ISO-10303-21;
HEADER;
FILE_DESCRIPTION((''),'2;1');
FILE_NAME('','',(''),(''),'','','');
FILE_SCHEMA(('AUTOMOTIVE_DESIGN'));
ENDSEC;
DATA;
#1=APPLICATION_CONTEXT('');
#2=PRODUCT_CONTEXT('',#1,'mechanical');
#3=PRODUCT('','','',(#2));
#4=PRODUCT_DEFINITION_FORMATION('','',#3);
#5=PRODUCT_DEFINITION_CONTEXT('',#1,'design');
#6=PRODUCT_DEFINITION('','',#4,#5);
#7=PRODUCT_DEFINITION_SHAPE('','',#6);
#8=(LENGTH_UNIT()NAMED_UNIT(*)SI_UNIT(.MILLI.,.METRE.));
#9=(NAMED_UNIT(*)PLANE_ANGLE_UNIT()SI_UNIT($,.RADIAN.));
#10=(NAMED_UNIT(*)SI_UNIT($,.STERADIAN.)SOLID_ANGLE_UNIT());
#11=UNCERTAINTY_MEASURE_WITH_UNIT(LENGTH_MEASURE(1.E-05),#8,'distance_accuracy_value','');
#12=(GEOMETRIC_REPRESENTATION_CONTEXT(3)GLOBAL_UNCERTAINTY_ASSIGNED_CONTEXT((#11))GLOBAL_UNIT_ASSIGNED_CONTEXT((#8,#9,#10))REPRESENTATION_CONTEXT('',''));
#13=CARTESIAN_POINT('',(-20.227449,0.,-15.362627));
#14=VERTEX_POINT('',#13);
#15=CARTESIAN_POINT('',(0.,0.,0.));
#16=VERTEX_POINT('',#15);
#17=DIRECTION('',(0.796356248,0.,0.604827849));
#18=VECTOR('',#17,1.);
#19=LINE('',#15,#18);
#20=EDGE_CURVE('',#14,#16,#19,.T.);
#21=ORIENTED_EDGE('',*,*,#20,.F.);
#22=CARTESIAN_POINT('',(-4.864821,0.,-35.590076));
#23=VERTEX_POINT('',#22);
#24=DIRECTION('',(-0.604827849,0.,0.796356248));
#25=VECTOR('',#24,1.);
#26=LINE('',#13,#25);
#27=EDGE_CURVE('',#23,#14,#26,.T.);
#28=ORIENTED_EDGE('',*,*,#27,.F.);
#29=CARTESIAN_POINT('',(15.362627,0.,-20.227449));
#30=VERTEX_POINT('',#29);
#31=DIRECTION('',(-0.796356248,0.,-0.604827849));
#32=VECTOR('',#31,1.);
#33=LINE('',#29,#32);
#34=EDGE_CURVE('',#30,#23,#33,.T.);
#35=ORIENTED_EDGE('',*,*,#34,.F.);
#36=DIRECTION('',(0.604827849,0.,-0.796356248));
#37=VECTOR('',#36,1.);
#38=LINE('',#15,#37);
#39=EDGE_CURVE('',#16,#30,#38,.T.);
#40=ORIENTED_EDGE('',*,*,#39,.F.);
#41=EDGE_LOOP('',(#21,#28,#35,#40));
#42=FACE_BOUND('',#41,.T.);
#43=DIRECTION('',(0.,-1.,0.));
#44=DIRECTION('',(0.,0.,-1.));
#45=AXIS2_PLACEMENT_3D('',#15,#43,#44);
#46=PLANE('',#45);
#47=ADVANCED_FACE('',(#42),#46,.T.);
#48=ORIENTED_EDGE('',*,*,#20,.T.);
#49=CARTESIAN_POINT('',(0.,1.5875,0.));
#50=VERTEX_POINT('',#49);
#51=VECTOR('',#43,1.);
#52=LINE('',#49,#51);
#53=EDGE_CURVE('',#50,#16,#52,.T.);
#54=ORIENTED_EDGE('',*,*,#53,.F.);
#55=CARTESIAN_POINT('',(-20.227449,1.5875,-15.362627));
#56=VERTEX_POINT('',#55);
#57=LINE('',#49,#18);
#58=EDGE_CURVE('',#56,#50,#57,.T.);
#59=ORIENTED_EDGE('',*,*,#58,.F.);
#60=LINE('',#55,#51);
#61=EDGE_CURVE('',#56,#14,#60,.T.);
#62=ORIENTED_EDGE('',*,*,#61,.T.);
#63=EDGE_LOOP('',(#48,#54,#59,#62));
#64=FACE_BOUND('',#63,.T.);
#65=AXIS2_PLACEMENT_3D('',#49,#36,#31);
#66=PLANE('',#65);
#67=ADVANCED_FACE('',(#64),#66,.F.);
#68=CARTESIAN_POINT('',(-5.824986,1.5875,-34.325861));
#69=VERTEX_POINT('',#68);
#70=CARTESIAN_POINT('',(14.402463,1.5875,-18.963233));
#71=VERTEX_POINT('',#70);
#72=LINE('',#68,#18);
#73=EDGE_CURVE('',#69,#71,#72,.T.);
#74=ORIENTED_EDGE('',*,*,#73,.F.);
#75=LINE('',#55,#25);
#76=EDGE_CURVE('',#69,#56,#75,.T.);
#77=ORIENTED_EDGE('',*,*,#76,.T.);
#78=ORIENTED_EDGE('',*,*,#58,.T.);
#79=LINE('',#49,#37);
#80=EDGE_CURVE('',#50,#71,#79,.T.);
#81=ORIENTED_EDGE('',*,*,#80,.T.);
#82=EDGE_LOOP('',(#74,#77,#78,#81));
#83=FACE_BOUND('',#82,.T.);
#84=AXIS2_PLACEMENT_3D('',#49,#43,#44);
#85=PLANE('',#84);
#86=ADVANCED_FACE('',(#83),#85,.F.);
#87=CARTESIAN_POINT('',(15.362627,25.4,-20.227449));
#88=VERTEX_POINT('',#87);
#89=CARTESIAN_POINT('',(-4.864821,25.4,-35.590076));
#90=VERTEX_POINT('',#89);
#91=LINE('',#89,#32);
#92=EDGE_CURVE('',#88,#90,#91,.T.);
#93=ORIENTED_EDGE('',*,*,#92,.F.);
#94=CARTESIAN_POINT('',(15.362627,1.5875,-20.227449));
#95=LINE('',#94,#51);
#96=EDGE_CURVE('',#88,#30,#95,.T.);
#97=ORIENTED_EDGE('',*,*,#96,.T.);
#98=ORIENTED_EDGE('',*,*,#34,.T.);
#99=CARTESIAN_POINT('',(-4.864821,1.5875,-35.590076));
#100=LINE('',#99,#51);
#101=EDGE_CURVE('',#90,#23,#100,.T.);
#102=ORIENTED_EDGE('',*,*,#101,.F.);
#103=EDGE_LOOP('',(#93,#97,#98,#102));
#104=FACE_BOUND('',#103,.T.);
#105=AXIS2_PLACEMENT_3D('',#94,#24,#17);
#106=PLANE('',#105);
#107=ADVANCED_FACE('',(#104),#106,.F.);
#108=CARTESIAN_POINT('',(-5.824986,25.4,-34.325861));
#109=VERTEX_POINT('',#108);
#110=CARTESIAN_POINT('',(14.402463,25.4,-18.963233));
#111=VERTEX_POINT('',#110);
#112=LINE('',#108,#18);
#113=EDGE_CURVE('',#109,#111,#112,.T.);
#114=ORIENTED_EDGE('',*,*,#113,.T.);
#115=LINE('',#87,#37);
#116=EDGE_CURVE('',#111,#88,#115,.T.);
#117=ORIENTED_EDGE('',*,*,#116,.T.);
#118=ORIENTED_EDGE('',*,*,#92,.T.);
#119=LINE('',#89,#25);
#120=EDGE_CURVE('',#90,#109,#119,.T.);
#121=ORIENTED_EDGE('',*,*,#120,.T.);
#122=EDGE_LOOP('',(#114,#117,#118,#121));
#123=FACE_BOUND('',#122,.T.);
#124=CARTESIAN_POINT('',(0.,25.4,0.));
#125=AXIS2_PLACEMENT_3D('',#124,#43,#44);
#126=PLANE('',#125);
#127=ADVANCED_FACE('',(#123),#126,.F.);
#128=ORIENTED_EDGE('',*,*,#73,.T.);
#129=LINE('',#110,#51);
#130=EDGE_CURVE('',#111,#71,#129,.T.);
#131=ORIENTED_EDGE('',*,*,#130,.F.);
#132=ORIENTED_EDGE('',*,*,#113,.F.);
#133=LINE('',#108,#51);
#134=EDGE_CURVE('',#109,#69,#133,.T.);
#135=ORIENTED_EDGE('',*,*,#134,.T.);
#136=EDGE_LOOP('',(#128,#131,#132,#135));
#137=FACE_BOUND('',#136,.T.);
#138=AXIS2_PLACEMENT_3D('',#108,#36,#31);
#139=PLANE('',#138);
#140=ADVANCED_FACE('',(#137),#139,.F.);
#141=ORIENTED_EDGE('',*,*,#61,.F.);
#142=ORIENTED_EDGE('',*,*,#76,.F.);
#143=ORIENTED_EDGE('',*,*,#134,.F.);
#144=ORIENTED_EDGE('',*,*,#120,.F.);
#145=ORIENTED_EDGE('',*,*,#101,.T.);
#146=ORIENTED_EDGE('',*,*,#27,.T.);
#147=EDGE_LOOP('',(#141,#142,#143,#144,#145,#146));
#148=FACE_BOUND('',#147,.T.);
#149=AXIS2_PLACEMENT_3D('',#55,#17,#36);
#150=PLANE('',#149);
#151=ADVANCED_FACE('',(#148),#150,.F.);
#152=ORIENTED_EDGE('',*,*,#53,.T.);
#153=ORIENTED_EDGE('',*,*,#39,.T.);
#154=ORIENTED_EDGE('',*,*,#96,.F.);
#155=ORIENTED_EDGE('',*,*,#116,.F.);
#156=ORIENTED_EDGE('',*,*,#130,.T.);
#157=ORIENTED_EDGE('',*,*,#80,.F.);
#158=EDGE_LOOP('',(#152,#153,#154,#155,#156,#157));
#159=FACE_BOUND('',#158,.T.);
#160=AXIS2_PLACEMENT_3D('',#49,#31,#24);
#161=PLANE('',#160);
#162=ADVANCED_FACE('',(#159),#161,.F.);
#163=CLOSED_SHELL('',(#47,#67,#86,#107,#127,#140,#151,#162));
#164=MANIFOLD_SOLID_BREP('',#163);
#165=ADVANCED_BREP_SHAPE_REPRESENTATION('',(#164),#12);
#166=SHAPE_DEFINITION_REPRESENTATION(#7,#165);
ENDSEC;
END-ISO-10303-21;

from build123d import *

# Parameters (mm, degrees)
BOSS_EXTRUDE1_DEPTH = 1.5875
BOSS_EXTRUDE2_DEPTH = 23.8125


with BuildPart() as part:
    # Sketch1 → Boss-Extrude1 (new body)
    with BuildSketch(Plane(origin=(0, 0, 0), x_dir=(1, 0, 0), z_dir=(0, 1, 0))):
        Polygon((0, 0), (15.362627366, 20.227448688), (-4.864821322, 35.590076054), (-20.227448688, 15.362627366), align=None)
    extrude(amount=BOSS_EXTRUDE1_DEPTH)

    # Sketch2 → Boss-Extrude2 (add)
    with BuildSketch(Plane(origin=(0, 1.5875, 0), x_dir=(1, 0, 0), z_dir=(0, 1, 0))):
        Polygon((-4.864821322, 35.590076054), (-5.824985532, 34.325860511), (14.402463156, 18.963233145), (15.362627366, 20.227448688), align=None)
    extrude(amount=BOSS_EXTRUDE2_DEPTH)


solid = part.part
